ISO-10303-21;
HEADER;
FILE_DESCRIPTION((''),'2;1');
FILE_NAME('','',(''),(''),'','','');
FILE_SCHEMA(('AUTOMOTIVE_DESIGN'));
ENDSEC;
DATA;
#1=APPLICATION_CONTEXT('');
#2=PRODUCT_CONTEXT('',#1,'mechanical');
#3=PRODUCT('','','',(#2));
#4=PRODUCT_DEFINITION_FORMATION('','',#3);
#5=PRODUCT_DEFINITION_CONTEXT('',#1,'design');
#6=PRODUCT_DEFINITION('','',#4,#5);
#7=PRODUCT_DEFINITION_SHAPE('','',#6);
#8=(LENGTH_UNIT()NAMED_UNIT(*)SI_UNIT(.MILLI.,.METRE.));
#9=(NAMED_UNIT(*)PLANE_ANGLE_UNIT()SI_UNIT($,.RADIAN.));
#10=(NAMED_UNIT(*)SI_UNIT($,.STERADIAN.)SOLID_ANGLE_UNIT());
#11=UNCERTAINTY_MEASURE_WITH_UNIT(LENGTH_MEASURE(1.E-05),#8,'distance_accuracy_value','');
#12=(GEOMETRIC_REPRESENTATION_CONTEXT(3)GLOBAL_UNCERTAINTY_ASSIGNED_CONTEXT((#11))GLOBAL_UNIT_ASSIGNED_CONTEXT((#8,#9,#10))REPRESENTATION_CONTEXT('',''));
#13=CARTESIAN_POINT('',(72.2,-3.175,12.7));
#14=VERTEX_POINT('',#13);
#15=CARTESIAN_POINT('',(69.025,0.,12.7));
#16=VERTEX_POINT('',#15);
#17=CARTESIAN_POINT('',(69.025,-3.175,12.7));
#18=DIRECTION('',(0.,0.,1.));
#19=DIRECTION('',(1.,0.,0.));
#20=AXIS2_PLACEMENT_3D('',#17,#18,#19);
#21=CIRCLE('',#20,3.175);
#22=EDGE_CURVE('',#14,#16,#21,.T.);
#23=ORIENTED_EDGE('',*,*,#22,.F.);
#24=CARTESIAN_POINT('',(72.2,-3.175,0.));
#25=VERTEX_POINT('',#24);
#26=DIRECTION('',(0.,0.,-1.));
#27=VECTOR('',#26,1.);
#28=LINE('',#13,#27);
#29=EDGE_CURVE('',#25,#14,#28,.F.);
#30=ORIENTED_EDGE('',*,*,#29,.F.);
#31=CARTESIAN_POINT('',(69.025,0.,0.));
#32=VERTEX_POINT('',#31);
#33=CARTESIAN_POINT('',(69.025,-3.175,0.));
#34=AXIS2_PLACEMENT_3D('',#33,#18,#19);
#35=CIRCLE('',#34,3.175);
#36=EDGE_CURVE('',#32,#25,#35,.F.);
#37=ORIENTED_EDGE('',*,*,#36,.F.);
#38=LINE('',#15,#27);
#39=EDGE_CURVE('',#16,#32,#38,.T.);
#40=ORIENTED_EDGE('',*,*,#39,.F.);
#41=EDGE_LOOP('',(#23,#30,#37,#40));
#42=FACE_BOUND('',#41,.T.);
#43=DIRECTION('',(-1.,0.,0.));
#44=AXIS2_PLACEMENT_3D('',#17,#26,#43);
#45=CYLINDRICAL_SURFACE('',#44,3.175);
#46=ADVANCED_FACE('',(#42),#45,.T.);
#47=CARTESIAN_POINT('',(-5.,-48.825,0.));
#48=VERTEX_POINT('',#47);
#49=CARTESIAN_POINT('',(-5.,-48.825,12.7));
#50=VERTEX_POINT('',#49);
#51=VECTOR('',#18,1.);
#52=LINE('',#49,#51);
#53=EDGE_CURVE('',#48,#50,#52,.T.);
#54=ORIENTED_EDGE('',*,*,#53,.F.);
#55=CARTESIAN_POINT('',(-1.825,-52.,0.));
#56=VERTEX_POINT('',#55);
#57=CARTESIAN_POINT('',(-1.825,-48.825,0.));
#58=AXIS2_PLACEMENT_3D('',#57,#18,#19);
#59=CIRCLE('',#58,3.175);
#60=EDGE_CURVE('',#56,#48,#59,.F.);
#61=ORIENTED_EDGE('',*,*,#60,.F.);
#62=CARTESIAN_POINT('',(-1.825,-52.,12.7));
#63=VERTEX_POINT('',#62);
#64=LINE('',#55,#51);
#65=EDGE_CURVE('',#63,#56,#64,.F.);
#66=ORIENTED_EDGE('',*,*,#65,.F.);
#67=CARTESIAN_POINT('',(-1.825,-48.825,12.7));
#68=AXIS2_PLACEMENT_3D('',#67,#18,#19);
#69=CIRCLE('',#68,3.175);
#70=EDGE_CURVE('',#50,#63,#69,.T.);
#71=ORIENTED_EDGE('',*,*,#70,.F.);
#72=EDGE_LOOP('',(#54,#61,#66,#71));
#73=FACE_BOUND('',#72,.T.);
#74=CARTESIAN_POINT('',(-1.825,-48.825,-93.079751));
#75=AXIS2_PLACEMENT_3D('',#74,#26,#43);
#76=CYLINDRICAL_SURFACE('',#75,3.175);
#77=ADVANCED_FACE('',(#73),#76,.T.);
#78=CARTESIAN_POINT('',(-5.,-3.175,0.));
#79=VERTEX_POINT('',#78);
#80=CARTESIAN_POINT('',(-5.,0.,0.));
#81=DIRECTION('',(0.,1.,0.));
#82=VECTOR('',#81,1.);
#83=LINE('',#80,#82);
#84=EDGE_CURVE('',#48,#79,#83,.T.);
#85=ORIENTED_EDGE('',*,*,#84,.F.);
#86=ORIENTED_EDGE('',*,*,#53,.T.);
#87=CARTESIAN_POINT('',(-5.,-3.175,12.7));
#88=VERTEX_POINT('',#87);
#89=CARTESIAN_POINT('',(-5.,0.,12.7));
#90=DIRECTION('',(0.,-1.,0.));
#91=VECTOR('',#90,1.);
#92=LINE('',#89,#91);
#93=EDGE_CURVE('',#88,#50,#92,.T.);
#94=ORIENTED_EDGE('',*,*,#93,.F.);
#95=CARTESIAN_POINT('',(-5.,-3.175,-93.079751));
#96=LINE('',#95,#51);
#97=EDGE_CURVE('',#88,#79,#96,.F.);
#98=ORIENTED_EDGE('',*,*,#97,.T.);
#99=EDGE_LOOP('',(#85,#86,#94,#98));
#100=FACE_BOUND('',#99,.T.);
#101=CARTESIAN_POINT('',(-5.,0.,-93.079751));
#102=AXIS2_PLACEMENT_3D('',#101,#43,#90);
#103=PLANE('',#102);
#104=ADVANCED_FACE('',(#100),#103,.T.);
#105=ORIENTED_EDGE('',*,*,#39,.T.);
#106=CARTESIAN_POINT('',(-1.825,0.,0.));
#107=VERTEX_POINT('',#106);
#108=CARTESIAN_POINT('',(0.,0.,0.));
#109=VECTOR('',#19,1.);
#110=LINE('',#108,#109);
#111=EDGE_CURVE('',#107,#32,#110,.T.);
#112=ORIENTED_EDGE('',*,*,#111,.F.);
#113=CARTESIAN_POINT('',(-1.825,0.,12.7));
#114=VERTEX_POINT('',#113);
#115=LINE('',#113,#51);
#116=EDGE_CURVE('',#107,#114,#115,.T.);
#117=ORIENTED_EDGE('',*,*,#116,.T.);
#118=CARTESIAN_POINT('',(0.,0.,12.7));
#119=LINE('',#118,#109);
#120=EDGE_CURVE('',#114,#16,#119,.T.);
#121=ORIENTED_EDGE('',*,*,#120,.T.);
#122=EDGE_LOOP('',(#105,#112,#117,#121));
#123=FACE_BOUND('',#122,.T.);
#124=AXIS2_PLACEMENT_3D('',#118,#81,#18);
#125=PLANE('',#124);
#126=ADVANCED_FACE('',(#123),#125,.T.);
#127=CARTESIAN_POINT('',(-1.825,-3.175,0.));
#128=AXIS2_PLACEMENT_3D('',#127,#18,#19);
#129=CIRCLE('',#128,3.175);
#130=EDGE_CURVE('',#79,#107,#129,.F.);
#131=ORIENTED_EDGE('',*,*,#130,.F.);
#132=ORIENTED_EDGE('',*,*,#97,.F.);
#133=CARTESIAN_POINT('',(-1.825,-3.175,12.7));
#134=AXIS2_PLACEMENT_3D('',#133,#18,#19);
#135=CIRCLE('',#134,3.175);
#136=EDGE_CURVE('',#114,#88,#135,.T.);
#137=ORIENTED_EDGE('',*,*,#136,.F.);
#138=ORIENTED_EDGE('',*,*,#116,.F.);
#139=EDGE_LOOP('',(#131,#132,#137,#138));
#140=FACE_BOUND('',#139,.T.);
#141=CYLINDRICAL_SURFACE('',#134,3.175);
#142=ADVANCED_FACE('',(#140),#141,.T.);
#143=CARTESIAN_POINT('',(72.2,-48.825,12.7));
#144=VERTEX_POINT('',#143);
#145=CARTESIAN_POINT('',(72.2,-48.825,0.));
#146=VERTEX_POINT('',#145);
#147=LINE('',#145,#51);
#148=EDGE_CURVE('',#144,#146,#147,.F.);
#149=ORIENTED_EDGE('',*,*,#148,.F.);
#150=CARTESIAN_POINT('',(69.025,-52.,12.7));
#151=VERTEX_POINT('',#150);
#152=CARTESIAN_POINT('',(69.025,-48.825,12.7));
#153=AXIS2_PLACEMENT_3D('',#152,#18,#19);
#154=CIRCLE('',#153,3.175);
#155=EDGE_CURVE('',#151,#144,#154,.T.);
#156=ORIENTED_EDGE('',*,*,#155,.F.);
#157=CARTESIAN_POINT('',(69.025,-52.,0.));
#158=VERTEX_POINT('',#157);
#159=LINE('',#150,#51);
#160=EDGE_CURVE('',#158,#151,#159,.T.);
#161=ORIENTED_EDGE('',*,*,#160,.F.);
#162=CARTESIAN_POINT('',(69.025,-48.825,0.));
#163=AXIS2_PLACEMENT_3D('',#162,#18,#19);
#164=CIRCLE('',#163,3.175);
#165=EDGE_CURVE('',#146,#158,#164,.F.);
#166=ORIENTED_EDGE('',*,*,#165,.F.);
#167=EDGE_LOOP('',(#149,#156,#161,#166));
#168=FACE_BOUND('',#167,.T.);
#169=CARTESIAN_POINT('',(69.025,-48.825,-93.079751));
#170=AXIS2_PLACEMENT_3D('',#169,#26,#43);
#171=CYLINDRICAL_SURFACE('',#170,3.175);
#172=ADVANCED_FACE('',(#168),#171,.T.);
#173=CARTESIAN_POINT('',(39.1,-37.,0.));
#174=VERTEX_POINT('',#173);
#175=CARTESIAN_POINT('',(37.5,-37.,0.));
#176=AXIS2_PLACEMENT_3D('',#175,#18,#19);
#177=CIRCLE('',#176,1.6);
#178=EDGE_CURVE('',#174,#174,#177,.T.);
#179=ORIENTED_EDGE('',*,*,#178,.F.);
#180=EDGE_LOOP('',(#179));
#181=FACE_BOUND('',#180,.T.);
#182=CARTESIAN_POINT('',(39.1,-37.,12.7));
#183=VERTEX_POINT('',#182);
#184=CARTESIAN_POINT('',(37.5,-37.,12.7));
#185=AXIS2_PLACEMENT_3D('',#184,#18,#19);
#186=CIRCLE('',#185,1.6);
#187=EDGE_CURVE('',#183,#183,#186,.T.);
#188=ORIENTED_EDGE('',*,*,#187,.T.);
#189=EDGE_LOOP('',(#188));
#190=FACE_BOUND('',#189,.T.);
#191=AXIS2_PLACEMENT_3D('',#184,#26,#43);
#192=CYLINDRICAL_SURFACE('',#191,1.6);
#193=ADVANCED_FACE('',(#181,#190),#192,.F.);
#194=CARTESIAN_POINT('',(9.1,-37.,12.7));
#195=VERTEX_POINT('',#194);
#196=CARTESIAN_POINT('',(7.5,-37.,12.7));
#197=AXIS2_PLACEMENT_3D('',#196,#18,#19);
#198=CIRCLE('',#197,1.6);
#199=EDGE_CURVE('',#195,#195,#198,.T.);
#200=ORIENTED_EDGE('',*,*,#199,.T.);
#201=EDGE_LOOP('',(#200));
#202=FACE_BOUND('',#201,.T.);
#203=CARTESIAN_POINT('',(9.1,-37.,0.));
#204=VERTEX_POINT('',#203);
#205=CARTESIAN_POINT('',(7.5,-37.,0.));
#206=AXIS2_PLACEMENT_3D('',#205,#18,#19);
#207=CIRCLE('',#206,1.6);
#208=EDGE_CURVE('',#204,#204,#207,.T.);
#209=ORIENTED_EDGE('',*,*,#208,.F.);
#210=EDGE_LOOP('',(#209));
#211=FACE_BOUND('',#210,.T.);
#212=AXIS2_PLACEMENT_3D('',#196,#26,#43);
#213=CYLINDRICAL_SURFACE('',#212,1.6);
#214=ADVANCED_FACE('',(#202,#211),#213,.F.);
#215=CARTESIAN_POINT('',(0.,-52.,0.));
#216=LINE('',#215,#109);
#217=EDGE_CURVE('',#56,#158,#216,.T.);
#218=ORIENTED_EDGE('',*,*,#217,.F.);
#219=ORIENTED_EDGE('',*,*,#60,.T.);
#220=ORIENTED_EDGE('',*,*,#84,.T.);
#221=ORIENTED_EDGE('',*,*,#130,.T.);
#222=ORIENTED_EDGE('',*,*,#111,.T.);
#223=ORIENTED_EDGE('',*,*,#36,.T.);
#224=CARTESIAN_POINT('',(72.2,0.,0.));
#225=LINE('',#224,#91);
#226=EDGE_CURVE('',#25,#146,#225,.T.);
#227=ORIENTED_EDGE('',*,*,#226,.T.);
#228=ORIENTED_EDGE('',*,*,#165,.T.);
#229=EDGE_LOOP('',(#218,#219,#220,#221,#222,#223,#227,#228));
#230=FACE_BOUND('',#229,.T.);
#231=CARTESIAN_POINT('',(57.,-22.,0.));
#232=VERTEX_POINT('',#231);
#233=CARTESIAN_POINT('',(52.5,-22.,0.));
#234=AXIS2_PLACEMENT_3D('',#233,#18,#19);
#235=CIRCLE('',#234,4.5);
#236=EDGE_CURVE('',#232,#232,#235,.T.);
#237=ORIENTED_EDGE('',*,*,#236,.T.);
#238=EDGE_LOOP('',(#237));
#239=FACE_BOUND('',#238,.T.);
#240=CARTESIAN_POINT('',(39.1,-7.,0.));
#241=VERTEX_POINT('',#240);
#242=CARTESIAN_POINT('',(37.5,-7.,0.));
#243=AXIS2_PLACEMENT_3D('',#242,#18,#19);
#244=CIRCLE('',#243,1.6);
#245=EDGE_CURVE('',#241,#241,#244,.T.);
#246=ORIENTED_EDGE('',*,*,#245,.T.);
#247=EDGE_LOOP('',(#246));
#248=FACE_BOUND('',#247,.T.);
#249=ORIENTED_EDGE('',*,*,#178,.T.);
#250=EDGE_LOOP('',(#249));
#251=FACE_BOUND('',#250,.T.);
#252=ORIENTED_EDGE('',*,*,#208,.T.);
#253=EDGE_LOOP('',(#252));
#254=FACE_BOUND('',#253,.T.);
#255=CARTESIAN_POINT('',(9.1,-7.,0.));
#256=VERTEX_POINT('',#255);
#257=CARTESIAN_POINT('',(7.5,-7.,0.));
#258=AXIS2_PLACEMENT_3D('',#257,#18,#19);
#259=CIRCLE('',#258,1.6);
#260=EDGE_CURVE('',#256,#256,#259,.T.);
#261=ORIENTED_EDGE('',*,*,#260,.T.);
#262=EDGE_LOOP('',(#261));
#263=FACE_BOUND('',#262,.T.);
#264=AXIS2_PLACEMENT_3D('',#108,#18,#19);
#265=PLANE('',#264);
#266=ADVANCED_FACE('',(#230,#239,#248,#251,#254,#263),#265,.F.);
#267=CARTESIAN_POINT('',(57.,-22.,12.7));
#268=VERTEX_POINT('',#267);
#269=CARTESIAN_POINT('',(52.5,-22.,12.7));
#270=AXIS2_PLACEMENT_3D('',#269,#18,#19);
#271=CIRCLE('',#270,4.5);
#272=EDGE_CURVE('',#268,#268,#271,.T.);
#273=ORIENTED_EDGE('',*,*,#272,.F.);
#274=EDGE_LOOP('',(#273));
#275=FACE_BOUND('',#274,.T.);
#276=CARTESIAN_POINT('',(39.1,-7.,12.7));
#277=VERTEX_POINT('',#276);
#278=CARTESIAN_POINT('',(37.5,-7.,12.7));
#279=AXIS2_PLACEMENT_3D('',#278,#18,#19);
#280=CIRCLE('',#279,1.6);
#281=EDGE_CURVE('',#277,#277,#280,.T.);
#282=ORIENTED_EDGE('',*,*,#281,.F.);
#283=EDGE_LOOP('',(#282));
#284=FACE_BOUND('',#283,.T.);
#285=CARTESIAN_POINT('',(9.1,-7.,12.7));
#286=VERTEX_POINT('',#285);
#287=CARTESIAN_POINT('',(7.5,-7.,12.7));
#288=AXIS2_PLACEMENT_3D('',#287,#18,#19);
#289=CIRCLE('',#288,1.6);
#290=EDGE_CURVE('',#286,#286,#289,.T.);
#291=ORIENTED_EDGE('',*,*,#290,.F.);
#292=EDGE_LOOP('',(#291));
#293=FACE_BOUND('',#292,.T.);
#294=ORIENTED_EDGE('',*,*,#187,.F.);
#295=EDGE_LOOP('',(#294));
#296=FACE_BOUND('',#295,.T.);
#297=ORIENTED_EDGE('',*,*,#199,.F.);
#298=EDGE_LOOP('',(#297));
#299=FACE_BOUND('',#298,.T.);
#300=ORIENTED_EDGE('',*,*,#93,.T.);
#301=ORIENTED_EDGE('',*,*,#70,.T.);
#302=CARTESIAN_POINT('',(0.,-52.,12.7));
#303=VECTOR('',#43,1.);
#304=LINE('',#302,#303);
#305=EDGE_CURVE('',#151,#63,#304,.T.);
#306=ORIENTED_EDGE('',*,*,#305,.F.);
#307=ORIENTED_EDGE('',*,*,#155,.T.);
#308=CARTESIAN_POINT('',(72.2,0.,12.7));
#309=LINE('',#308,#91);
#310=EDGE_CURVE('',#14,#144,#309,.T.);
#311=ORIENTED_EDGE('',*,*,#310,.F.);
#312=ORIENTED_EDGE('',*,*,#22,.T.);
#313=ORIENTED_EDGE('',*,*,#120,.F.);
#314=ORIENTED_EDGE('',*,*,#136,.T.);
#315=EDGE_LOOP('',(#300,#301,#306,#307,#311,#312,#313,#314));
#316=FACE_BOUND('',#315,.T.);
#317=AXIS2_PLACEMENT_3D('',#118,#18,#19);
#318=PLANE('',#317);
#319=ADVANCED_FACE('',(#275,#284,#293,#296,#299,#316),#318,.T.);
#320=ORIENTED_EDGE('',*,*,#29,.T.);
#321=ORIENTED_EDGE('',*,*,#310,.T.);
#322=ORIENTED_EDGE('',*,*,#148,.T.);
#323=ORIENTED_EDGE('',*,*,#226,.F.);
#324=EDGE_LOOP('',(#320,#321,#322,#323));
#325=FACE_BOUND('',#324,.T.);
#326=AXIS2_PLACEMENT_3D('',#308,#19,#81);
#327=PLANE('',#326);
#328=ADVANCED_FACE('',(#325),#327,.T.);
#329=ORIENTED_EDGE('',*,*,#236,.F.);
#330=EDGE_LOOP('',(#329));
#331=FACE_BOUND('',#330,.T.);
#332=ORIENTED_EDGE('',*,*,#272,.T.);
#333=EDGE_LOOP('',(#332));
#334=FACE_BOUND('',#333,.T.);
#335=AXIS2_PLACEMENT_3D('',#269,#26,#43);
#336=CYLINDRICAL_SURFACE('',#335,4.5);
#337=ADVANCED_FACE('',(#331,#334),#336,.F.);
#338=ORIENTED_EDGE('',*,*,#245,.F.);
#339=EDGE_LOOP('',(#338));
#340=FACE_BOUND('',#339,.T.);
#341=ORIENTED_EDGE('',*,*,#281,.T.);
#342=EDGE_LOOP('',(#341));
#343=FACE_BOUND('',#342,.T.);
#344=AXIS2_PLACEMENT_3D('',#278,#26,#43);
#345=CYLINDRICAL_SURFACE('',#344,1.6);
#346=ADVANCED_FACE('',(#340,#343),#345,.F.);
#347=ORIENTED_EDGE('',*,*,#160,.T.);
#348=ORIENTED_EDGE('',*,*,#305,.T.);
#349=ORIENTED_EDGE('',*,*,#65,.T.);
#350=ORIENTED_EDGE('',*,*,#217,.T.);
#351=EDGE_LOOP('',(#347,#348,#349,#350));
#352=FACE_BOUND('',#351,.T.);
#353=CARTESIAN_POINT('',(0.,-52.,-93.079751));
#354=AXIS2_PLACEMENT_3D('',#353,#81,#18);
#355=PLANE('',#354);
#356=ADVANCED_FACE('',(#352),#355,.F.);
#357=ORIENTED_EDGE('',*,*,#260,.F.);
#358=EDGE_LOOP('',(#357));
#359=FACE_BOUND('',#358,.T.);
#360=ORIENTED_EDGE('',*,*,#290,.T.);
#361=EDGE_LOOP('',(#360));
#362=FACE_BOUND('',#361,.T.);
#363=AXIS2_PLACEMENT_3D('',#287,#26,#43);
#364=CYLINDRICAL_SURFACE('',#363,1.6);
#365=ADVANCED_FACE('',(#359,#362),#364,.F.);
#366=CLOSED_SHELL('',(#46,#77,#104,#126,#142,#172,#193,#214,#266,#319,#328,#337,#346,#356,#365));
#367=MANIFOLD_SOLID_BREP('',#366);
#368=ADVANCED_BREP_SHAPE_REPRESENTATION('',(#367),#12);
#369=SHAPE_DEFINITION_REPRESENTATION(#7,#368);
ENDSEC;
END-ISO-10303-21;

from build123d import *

# Parameters (mm, degrees)
SKETCH1_W           = 72.2
SKETCH1_H           = 44
BOSS_EXTRUDE1_DEPTH = 12.7
BOSS_EXTRUDE2_DEPTH = 12.7
SKETCH1_5_R         = 4.5
SKETCH1_5_R_2       = 1.6
CUT_EXTRUDE3_DEPTH  = 90.878417877
FILLET1_R           = 3.175


with BuildPart() as part:
    # Sketch1 → Boss-Extrude1 (new body)
    with BuildSketch(Plane.XY):
        with Locations((36.1, -22)):
            Rectangle(SKETCH1_W, SKETCH1_H)
    extrude(amount=BOSS_EXTRUDE1_DEPTH)

    # Sketch2 → Boss-Extrude2 (add)
    with BuildSketch(Plane.XY.offset(12.7)):
        Polygon((72.2, -44), (0, -44), (0, 0), (-5, 0), (-5, -52), (72.2, -52), align=None)
    extrude(amount=-BOSS_EXTRUDE2_DEPTH)

    # Sketch1<5> → Cut-Extrude3 (cut, through all)
    with BuildSketch(Plane.XY):
        with Locations((52.5, -22)):
            Circle(SKETCH1_5_R)
        with Locations((7.5, -37)):
            Circle(SKETCH1_5_R_2)
        with Locations((7.5, -7)):
            Circle(SKETCH1_5_R_2)
        with Locations((37.5, -7)):
            Circle(SKETCH1_5_R_2)
        with Locations((37.5, -37)):
            Circle(SKETCH1_5_R_2)
    extrude(amount=CUT_EXTRUDE3_DEPTH, mode=Mode.SUBTRACT)

    # Fillet1
    fillet1_edges = [part.edges().sort_by_distance(p)[0] for p in [
        (72.2, 0, 6.35),
        (-5, 0, 6.35),
        (72.2, -52, 6.35),
        (-5, -52, 6.35),
    ]]
    fillet(fillet1_edges, radius=FILLET1_R)


solid = part.part
